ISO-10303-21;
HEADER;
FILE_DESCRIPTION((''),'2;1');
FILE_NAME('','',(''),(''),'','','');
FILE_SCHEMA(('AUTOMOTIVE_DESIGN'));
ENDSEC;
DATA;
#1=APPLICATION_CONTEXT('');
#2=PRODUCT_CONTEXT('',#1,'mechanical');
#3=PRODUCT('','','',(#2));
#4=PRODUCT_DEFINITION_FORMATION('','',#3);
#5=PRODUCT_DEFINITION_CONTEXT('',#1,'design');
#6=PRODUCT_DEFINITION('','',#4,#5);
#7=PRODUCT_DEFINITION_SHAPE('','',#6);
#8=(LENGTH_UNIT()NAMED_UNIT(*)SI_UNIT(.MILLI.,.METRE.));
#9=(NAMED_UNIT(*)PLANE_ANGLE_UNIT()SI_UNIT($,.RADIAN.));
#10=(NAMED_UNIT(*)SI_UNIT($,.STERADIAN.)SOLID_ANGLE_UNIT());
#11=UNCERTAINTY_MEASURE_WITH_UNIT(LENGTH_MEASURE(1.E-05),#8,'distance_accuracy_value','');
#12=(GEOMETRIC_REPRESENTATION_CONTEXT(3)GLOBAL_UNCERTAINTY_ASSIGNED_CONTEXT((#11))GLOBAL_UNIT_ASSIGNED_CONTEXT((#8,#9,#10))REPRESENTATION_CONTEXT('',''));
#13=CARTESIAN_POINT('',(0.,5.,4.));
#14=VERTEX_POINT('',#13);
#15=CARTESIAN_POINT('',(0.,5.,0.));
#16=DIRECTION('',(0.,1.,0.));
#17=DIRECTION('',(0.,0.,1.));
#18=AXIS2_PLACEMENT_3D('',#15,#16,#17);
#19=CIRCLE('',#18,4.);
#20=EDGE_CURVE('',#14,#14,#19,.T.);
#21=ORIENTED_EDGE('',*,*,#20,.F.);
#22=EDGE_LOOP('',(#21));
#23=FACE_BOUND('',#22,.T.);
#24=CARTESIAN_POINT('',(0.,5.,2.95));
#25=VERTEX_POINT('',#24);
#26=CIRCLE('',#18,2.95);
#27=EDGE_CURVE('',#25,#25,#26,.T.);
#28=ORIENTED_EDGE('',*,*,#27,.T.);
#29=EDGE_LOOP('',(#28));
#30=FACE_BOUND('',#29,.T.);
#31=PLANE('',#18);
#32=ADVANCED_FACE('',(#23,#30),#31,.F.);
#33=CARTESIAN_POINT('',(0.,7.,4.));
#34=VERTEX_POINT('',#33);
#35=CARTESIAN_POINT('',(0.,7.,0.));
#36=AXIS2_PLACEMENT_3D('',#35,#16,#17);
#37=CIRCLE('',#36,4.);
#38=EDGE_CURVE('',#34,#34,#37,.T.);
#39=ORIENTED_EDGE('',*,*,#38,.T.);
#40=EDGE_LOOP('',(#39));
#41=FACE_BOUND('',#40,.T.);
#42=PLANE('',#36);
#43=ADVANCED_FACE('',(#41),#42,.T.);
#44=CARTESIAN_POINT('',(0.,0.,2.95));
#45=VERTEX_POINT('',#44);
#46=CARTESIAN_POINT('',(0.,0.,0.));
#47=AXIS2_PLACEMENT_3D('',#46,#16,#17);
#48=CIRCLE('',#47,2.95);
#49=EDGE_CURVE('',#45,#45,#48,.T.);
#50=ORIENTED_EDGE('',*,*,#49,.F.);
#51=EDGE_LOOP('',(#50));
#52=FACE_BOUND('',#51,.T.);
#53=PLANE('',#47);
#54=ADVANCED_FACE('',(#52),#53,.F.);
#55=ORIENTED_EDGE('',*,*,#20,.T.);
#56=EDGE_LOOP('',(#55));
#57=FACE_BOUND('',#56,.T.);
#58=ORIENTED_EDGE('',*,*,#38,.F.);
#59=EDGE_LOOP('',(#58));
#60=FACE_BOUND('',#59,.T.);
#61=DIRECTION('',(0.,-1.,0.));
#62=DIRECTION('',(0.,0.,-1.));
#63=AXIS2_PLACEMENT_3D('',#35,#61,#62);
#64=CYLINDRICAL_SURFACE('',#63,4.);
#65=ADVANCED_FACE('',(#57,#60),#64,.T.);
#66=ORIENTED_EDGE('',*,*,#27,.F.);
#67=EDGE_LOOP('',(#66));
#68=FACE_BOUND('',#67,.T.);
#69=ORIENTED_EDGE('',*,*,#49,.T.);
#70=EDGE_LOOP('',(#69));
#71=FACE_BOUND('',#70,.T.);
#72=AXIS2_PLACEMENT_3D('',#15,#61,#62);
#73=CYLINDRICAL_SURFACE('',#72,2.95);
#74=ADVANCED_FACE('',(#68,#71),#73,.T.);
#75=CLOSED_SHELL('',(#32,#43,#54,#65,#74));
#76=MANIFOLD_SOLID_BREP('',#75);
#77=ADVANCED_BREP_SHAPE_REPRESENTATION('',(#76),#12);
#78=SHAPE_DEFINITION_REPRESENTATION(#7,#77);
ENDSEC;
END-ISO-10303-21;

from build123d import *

# Parameters (mm, degrees)
SKETCH1_R           = 2.95
BOSS_EXTRUDE1_DEPTH = 5
SKETCH2_R           = 4
BOSS_EXTRUDE2_DEPTH = 2


with BuildPart() as part:
    # Sketch1 → Boss-Extrude1 (new body)
    with BuildSketch(Plane(origin=(0, 0, 0), x_dir=(1, 0, 0), z_dir=(0, 1, 0))):
        Circle(SKETCH1_R)
    extrude(amount=BOSS_EXTRUDE1_DEPTH)

    # Sketch2 → Boss-Extrude2 (add)
    with BuildSketch(Plane(origin=(0, 5, 0), x_dir=(1, 0, 0), z_dir=(0, 1, 0))):
        Circle(SKETCH2_R)
    extrude(amount=BOSS_EXTRUDE2_DEPTH)


solid = part.part
